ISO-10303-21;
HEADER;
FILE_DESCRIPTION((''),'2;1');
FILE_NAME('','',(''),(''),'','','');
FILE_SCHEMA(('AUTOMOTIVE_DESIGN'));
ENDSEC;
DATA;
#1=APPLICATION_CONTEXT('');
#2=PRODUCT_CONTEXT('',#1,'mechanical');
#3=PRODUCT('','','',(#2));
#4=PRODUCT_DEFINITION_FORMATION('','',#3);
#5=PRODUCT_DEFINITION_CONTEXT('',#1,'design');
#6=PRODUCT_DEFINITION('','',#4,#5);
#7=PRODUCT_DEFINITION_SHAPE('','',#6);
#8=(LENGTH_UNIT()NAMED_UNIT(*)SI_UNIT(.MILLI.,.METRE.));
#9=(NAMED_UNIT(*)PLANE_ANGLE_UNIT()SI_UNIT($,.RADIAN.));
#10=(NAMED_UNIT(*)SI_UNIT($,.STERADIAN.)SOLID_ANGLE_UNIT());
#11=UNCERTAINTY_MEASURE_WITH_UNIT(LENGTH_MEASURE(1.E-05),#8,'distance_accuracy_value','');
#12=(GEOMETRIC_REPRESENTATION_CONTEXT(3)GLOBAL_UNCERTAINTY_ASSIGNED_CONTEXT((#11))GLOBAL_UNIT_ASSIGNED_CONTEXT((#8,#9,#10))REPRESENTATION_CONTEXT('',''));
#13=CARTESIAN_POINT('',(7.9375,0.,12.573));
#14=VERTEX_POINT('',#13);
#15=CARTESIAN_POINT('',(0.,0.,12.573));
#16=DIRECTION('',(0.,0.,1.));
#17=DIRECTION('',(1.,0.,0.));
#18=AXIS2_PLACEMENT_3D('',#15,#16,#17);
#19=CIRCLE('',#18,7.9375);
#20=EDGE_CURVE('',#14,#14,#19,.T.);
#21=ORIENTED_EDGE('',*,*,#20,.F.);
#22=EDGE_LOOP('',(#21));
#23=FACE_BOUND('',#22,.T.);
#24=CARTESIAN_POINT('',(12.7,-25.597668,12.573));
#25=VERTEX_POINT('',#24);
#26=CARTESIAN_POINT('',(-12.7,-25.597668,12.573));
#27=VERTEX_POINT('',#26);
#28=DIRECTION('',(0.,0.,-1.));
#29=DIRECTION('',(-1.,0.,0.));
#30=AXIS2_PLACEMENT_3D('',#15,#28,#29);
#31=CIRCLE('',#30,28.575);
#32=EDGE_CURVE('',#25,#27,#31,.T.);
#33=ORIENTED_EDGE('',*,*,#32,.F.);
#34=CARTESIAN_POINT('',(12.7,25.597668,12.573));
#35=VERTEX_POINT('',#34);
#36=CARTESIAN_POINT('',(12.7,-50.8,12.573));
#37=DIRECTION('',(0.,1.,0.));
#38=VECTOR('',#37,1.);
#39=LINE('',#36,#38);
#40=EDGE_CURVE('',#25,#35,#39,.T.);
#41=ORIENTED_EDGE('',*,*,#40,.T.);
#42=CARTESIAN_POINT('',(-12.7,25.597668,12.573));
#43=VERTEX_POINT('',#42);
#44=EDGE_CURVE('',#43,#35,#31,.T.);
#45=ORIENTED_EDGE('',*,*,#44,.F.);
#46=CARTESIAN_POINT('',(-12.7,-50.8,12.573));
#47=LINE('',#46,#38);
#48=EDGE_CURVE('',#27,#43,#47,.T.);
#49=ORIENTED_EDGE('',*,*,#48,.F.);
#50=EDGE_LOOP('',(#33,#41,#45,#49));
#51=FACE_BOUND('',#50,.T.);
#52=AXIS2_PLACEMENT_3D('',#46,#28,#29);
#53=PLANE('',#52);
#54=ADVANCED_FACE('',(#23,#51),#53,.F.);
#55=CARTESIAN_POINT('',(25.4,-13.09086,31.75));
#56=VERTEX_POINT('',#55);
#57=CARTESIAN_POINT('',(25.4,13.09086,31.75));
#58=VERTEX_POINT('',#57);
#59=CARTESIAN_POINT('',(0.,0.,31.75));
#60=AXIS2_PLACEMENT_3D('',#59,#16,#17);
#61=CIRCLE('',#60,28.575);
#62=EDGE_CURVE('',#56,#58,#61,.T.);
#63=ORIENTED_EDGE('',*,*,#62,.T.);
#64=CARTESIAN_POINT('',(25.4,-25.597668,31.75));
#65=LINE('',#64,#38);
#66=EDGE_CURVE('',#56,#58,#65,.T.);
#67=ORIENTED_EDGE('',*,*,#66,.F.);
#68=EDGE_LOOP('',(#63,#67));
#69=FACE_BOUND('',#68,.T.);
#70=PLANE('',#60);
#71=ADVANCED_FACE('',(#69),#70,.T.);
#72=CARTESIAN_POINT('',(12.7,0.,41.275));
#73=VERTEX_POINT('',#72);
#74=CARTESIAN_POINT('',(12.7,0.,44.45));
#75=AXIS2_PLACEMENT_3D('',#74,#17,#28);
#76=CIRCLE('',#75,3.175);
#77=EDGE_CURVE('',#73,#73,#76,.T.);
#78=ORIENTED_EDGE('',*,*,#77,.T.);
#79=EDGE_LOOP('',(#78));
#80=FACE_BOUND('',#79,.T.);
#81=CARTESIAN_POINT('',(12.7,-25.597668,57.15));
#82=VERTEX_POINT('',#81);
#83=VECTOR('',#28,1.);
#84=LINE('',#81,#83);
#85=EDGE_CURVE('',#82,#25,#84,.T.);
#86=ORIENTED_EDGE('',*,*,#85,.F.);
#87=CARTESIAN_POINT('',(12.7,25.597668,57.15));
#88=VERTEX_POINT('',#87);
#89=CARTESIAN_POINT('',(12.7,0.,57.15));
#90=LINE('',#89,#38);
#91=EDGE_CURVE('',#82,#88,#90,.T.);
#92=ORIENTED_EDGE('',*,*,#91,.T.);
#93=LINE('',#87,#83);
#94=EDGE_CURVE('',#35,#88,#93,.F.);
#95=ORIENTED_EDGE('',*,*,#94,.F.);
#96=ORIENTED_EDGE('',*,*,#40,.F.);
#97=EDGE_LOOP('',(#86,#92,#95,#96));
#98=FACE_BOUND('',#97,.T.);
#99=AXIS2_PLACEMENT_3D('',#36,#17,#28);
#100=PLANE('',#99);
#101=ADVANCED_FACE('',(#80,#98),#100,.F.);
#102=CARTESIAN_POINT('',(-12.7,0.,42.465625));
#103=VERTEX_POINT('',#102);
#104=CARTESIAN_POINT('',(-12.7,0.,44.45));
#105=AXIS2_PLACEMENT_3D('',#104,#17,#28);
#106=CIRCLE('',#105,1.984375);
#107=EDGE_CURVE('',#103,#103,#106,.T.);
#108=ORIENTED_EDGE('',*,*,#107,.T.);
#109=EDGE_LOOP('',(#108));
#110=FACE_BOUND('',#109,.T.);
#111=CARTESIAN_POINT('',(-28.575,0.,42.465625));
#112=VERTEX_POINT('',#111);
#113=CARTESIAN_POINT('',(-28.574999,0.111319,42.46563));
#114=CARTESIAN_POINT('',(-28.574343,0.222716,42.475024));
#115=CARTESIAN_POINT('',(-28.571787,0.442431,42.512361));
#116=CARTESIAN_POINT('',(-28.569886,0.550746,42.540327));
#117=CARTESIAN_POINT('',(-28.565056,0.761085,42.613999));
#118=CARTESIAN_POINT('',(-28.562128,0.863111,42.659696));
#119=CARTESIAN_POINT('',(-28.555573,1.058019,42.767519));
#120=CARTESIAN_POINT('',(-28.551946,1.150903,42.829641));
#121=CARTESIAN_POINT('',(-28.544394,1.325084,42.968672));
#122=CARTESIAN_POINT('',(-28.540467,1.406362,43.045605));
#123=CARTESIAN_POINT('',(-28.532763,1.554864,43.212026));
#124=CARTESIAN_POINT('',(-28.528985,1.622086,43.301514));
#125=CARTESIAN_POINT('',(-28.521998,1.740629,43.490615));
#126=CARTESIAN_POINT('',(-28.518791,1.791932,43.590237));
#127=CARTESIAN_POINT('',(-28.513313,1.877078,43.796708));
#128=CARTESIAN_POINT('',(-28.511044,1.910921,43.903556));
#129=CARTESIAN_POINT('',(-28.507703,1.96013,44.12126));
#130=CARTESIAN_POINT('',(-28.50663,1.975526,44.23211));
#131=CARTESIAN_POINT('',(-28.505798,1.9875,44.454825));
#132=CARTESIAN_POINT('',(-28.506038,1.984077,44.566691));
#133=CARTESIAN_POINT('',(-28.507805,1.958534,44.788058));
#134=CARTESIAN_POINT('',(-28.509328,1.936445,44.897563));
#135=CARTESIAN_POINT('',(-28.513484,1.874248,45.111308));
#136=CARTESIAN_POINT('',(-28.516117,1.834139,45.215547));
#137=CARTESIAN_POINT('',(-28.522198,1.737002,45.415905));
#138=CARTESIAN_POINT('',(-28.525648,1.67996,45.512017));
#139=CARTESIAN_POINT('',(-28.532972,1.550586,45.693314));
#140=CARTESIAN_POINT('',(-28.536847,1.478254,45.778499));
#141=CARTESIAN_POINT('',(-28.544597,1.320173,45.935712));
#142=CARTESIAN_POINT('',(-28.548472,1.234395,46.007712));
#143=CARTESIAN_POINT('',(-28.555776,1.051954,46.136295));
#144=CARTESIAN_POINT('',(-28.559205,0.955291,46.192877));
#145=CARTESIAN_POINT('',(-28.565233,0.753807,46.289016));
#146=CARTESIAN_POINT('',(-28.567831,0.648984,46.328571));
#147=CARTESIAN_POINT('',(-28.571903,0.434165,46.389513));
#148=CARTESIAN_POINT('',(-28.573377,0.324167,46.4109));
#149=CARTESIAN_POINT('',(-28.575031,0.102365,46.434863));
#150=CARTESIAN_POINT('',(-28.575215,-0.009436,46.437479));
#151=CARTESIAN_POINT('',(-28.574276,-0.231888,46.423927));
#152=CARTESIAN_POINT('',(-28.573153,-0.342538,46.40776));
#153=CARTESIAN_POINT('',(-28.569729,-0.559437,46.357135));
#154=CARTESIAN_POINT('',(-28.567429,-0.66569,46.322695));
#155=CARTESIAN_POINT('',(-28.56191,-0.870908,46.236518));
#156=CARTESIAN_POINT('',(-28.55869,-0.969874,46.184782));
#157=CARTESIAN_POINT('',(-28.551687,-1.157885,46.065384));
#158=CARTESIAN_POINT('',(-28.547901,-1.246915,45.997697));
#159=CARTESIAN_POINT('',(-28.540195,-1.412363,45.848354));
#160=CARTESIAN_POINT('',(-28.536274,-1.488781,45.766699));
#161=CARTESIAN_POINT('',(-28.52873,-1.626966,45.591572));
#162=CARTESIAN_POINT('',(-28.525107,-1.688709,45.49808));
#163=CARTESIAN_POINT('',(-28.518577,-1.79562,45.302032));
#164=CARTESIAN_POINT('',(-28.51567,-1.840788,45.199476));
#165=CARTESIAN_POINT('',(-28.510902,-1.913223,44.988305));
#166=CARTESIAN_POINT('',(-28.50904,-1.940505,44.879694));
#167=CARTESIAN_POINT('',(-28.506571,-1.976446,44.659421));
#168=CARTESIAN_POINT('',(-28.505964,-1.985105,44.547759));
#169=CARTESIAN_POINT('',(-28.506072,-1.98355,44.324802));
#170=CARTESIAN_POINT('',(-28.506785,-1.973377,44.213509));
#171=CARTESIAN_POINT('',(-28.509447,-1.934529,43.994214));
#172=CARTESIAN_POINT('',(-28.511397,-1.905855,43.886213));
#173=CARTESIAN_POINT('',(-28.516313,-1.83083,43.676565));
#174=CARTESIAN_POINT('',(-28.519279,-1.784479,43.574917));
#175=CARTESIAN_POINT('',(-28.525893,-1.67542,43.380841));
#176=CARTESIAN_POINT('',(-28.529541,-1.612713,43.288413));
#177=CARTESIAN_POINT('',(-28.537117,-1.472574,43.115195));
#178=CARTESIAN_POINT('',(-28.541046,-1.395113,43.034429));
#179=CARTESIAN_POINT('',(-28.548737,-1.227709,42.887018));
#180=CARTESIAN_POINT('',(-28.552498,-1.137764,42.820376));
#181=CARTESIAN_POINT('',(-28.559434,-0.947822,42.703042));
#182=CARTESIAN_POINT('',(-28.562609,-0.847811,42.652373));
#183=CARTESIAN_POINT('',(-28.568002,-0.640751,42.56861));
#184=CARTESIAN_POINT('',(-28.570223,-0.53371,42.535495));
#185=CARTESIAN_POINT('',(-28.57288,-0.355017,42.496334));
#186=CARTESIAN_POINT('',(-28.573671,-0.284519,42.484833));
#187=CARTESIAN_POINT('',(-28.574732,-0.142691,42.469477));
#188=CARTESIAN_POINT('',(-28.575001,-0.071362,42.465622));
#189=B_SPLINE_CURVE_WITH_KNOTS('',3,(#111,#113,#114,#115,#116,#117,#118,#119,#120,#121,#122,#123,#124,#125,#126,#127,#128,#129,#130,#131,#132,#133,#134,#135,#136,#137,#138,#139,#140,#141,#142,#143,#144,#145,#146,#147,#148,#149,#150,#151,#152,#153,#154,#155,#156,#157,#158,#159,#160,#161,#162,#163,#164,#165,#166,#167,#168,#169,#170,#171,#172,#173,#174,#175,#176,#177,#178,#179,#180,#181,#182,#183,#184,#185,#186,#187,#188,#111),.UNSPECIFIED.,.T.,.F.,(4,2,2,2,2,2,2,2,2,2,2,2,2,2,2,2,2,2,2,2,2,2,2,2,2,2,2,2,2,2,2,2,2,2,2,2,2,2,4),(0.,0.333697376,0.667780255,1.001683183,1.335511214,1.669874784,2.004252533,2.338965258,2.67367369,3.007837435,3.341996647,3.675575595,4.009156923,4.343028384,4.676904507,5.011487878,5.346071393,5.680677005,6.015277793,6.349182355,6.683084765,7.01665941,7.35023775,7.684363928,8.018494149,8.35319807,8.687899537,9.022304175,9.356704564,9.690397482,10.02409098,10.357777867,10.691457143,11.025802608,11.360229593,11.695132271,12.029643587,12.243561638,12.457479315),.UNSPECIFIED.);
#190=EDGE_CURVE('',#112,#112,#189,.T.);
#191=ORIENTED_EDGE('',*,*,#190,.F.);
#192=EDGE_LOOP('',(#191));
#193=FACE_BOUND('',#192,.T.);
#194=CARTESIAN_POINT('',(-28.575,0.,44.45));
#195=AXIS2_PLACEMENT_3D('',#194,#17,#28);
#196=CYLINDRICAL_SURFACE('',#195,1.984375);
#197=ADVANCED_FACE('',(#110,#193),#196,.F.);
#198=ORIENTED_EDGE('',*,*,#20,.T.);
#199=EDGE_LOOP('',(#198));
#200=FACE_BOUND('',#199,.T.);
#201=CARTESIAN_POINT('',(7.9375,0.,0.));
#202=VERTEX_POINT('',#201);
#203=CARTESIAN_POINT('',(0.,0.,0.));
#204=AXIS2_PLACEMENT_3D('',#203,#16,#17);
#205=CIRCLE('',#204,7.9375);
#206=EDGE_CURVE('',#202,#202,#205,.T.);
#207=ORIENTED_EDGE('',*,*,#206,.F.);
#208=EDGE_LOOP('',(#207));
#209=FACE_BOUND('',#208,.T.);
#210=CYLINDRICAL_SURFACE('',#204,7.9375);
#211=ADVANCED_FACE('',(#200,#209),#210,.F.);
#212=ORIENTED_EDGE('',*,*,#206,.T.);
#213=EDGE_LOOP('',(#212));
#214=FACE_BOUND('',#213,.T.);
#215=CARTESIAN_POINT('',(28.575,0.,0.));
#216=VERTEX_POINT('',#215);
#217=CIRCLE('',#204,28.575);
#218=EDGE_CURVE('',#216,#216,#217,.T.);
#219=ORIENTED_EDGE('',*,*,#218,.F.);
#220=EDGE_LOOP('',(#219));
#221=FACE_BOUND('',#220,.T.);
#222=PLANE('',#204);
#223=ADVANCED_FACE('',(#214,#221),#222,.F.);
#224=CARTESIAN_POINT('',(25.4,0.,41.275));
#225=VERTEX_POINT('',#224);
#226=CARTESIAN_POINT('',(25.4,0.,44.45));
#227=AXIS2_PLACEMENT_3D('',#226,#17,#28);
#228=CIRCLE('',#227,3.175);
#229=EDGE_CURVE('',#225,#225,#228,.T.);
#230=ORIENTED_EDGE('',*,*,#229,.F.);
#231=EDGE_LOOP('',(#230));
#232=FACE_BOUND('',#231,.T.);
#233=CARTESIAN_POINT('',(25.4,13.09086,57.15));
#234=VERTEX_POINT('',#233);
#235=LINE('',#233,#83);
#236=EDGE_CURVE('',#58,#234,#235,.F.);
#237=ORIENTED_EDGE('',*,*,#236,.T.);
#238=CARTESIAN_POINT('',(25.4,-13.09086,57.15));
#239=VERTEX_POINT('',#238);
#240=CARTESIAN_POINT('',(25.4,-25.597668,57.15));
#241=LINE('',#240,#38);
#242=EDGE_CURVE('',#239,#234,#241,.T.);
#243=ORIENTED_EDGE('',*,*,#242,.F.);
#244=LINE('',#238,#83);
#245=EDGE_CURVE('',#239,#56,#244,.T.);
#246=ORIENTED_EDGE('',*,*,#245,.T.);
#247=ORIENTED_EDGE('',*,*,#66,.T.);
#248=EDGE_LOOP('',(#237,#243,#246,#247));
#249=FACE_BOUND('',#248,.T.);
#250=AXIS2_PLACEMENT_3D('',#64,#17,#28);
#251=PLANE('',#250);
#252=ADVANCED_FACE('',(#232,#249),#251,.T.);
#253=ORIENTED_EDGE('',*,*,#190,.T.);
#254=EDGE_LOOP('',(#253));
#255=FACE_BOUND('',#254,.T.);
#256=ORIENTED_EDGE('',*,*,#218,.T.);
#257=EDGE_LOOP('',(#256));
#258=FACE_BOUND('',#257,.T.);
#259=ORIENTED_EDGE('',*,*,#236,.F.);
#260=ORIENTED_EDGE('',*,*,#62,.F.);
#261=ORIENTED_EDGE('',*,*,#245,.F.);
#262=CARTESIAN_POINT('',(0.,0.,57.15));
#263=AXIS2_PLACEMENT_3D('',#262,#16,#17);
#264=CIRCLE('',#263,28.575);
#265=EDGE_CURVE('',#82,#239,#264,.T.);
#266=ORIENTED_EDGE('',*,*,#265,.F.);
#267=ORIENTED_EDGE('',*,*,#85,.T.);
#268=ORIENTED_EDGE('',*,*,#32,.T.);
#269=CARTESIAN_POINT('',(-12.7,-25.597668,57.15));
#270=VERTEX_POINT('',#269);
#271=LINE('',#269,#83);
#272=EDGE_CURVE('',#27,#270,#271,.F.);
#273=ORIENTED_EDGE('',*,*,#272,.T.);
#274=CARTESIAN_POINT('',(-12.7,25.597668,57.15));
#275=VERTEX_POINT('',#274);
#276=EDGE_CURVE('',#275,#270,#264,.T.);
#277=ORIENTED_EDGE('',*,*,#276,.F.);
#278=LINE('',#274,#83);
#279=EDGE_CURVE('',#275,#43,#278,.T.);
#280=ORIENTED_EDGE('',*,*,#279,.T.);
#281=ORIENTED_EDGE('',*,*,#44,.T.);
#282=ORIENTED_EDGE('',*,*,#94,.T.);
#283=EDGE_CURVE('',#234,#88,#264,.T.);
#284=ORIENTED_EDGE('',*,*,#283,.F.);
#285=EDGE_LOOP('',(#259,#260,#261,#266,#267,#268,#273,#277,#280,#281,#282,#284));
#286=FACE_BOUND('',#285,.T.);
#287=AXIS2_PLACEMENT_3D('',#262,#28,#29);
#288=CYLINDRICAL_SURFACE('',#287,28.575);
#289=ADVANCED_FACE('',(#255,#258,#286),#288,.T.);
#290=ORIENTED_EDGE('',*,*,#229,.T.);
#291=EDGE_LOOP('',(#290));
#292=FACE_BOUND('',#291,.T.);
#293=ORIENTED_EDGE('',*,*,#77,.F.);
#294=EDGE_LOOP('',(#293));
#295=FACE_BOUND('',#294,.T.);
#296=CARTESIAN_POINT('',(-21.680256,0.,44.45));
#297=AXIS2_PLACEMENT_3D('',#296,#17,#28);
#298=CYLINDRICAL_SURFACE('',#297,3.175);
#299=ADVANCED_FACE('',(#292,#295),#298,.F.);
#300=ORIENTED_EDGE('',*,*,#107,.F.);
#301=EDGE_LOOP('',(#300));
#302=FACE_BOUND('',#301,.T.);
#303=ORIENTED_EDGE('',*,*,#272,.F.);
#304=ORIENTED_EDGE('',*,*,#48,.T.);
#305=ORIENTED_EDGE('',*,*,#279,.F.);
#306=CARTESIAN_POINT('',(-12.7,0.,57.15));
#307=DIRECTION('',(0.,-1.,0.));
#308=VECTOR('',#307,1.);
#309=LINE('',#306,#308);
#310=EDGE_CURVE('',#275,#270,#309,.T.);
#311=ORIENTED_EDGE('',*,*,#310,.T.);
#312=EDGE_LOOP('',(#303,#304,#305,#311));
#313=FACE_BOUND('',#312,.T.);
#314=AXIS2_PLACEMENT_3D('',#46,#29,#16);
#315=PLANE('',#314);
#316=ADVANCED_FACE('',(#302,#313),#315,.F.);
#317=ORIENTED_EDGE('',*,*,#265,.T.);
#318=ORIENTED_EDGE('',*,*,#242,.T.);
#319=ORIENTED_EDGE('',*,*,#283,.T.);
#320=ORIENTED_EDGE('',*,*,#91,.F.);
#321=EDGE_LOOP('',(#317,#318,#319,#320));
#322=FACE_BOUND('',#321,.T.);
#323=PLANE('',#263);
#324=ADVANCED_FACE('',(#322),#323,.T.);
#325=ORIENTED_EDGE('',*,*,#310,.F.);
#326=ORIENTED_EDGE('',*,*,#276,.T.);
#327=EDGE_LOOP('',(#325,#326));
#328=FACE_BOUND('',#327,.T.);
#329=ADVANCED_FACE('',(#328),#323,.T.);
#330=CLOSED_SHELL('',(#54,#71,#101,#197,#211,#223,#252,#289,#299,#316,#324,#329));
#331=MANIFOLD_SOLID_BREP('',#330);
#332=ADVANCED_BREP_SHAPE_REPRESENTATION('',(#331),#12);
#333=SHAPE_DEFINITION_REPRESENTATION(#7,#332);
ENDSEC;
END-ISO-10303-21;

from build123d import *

# Parameters (mm, degrees)
SKETCH1_R                   = 28.575
OD_DON_T_CARE_DEPTH         = 57.15
SKETCH3_W                   = 25.4
SKETCH3_H                   = 44.577
SLOT_DEPTH                  = 50.8
SKETCH4_R                   = 7.9375
F_5_8_THROUGH_HOLE_DEPTH    = 61.167850045
SKETCH5_OUTSIDE_W           = 78.948
SKETCH5_OUTSIDE_H           = 78.948
SKETCH5_OUTSIDE_W_2         = 53.975
SKETCH5_OUTSIDE_H_2         = 51.195336702
FLAT_SURFACE_DEPTH          = 25.4
SKETCH2_R                   = 3.175
F_1_4_THROUGH_HOLE_DEPTH    = 38.1
SKETCH7_R                   = 1.984375
F_10_32_THREADED_HOLE_DEPTH = 77.067593297


with BuildPart() as part:
    # Sketch1 → OD Don't Care (new body)
    with BuildSketch(Plane.XY):
        Circle(SKETCH1_R)
    extrude(amount=OD_DON_T_CARE_DEPTH)

    # Sketch3 → Slot (cut, symmetric)
    with BuildSketch(Plane(origin=(0, 0, 0), x_dir=(1, 0, 0), z_dir=(0, 1, 0))):
        with Locations((0, -34.8615)):
            Rectangle(SKETCH3_W, SKETCH3_H)
    extrude(amount=SLOT_DEPTH, both=True, mode=Mode.SUBTRACT)

    # Sketch4 → 5/8" Through Hole (cut, through all)
    with BuildSketch(Plane.XY.offset(12.573)):
        Circle(SKETCH4_R)
    extrude(amount=-F_5_8_THROUGH_HOLE_DEPTH, mode=Mode.SUBTRACT)

    # Sketch5 outside → Flat Surface (cut)
    with BuildSketch(Plane.XY.offset(57.15)):
        Rectangle(SKETCH5_OUTSIDE_W, SKETCH5_OUTSIDE_H)
        with Locations((-1.5875, 0)):
            Rectangle(SKETCH5_OUTSIDE_W_2, SKETCH5_OUTSIDE_H_2, mode=Mode.SUBTRACT)
    extrude(amount=-FLAT_SURFACE_DEPTH, mode=Mode.SUBTRACT)

    # Sketch2 → 1/4" Through Hole (cut)
    with BuildSketch(Plane(origin=(25.4, 0, 0), x_dir=(0, 0, -1), z_dir=(1, 0, 0))):
        with Locations((-44.45, 0)):
            Circle(SKETCH2_R)
    extrude(amount=-F_1_4_THROUGH_HOLE_DEPTH, mode=Mode.SUBTRACT)

    # Sketch7 → 10-32 Threaded Hole (cut, through all)
    with BuildSketch(Plane(origin=(-12.7, 0, 0), x_dir=(0, 0, -1), z_dir=(1, 0, 0))):
        with Locations((-44.45, 0)):
            Circle(SKETCH7_R)
    extrude(amount=-F_10_32_THREADED_HOLE_DEPTH, mode=Mode.SUBTRACT)


solid = part.part
